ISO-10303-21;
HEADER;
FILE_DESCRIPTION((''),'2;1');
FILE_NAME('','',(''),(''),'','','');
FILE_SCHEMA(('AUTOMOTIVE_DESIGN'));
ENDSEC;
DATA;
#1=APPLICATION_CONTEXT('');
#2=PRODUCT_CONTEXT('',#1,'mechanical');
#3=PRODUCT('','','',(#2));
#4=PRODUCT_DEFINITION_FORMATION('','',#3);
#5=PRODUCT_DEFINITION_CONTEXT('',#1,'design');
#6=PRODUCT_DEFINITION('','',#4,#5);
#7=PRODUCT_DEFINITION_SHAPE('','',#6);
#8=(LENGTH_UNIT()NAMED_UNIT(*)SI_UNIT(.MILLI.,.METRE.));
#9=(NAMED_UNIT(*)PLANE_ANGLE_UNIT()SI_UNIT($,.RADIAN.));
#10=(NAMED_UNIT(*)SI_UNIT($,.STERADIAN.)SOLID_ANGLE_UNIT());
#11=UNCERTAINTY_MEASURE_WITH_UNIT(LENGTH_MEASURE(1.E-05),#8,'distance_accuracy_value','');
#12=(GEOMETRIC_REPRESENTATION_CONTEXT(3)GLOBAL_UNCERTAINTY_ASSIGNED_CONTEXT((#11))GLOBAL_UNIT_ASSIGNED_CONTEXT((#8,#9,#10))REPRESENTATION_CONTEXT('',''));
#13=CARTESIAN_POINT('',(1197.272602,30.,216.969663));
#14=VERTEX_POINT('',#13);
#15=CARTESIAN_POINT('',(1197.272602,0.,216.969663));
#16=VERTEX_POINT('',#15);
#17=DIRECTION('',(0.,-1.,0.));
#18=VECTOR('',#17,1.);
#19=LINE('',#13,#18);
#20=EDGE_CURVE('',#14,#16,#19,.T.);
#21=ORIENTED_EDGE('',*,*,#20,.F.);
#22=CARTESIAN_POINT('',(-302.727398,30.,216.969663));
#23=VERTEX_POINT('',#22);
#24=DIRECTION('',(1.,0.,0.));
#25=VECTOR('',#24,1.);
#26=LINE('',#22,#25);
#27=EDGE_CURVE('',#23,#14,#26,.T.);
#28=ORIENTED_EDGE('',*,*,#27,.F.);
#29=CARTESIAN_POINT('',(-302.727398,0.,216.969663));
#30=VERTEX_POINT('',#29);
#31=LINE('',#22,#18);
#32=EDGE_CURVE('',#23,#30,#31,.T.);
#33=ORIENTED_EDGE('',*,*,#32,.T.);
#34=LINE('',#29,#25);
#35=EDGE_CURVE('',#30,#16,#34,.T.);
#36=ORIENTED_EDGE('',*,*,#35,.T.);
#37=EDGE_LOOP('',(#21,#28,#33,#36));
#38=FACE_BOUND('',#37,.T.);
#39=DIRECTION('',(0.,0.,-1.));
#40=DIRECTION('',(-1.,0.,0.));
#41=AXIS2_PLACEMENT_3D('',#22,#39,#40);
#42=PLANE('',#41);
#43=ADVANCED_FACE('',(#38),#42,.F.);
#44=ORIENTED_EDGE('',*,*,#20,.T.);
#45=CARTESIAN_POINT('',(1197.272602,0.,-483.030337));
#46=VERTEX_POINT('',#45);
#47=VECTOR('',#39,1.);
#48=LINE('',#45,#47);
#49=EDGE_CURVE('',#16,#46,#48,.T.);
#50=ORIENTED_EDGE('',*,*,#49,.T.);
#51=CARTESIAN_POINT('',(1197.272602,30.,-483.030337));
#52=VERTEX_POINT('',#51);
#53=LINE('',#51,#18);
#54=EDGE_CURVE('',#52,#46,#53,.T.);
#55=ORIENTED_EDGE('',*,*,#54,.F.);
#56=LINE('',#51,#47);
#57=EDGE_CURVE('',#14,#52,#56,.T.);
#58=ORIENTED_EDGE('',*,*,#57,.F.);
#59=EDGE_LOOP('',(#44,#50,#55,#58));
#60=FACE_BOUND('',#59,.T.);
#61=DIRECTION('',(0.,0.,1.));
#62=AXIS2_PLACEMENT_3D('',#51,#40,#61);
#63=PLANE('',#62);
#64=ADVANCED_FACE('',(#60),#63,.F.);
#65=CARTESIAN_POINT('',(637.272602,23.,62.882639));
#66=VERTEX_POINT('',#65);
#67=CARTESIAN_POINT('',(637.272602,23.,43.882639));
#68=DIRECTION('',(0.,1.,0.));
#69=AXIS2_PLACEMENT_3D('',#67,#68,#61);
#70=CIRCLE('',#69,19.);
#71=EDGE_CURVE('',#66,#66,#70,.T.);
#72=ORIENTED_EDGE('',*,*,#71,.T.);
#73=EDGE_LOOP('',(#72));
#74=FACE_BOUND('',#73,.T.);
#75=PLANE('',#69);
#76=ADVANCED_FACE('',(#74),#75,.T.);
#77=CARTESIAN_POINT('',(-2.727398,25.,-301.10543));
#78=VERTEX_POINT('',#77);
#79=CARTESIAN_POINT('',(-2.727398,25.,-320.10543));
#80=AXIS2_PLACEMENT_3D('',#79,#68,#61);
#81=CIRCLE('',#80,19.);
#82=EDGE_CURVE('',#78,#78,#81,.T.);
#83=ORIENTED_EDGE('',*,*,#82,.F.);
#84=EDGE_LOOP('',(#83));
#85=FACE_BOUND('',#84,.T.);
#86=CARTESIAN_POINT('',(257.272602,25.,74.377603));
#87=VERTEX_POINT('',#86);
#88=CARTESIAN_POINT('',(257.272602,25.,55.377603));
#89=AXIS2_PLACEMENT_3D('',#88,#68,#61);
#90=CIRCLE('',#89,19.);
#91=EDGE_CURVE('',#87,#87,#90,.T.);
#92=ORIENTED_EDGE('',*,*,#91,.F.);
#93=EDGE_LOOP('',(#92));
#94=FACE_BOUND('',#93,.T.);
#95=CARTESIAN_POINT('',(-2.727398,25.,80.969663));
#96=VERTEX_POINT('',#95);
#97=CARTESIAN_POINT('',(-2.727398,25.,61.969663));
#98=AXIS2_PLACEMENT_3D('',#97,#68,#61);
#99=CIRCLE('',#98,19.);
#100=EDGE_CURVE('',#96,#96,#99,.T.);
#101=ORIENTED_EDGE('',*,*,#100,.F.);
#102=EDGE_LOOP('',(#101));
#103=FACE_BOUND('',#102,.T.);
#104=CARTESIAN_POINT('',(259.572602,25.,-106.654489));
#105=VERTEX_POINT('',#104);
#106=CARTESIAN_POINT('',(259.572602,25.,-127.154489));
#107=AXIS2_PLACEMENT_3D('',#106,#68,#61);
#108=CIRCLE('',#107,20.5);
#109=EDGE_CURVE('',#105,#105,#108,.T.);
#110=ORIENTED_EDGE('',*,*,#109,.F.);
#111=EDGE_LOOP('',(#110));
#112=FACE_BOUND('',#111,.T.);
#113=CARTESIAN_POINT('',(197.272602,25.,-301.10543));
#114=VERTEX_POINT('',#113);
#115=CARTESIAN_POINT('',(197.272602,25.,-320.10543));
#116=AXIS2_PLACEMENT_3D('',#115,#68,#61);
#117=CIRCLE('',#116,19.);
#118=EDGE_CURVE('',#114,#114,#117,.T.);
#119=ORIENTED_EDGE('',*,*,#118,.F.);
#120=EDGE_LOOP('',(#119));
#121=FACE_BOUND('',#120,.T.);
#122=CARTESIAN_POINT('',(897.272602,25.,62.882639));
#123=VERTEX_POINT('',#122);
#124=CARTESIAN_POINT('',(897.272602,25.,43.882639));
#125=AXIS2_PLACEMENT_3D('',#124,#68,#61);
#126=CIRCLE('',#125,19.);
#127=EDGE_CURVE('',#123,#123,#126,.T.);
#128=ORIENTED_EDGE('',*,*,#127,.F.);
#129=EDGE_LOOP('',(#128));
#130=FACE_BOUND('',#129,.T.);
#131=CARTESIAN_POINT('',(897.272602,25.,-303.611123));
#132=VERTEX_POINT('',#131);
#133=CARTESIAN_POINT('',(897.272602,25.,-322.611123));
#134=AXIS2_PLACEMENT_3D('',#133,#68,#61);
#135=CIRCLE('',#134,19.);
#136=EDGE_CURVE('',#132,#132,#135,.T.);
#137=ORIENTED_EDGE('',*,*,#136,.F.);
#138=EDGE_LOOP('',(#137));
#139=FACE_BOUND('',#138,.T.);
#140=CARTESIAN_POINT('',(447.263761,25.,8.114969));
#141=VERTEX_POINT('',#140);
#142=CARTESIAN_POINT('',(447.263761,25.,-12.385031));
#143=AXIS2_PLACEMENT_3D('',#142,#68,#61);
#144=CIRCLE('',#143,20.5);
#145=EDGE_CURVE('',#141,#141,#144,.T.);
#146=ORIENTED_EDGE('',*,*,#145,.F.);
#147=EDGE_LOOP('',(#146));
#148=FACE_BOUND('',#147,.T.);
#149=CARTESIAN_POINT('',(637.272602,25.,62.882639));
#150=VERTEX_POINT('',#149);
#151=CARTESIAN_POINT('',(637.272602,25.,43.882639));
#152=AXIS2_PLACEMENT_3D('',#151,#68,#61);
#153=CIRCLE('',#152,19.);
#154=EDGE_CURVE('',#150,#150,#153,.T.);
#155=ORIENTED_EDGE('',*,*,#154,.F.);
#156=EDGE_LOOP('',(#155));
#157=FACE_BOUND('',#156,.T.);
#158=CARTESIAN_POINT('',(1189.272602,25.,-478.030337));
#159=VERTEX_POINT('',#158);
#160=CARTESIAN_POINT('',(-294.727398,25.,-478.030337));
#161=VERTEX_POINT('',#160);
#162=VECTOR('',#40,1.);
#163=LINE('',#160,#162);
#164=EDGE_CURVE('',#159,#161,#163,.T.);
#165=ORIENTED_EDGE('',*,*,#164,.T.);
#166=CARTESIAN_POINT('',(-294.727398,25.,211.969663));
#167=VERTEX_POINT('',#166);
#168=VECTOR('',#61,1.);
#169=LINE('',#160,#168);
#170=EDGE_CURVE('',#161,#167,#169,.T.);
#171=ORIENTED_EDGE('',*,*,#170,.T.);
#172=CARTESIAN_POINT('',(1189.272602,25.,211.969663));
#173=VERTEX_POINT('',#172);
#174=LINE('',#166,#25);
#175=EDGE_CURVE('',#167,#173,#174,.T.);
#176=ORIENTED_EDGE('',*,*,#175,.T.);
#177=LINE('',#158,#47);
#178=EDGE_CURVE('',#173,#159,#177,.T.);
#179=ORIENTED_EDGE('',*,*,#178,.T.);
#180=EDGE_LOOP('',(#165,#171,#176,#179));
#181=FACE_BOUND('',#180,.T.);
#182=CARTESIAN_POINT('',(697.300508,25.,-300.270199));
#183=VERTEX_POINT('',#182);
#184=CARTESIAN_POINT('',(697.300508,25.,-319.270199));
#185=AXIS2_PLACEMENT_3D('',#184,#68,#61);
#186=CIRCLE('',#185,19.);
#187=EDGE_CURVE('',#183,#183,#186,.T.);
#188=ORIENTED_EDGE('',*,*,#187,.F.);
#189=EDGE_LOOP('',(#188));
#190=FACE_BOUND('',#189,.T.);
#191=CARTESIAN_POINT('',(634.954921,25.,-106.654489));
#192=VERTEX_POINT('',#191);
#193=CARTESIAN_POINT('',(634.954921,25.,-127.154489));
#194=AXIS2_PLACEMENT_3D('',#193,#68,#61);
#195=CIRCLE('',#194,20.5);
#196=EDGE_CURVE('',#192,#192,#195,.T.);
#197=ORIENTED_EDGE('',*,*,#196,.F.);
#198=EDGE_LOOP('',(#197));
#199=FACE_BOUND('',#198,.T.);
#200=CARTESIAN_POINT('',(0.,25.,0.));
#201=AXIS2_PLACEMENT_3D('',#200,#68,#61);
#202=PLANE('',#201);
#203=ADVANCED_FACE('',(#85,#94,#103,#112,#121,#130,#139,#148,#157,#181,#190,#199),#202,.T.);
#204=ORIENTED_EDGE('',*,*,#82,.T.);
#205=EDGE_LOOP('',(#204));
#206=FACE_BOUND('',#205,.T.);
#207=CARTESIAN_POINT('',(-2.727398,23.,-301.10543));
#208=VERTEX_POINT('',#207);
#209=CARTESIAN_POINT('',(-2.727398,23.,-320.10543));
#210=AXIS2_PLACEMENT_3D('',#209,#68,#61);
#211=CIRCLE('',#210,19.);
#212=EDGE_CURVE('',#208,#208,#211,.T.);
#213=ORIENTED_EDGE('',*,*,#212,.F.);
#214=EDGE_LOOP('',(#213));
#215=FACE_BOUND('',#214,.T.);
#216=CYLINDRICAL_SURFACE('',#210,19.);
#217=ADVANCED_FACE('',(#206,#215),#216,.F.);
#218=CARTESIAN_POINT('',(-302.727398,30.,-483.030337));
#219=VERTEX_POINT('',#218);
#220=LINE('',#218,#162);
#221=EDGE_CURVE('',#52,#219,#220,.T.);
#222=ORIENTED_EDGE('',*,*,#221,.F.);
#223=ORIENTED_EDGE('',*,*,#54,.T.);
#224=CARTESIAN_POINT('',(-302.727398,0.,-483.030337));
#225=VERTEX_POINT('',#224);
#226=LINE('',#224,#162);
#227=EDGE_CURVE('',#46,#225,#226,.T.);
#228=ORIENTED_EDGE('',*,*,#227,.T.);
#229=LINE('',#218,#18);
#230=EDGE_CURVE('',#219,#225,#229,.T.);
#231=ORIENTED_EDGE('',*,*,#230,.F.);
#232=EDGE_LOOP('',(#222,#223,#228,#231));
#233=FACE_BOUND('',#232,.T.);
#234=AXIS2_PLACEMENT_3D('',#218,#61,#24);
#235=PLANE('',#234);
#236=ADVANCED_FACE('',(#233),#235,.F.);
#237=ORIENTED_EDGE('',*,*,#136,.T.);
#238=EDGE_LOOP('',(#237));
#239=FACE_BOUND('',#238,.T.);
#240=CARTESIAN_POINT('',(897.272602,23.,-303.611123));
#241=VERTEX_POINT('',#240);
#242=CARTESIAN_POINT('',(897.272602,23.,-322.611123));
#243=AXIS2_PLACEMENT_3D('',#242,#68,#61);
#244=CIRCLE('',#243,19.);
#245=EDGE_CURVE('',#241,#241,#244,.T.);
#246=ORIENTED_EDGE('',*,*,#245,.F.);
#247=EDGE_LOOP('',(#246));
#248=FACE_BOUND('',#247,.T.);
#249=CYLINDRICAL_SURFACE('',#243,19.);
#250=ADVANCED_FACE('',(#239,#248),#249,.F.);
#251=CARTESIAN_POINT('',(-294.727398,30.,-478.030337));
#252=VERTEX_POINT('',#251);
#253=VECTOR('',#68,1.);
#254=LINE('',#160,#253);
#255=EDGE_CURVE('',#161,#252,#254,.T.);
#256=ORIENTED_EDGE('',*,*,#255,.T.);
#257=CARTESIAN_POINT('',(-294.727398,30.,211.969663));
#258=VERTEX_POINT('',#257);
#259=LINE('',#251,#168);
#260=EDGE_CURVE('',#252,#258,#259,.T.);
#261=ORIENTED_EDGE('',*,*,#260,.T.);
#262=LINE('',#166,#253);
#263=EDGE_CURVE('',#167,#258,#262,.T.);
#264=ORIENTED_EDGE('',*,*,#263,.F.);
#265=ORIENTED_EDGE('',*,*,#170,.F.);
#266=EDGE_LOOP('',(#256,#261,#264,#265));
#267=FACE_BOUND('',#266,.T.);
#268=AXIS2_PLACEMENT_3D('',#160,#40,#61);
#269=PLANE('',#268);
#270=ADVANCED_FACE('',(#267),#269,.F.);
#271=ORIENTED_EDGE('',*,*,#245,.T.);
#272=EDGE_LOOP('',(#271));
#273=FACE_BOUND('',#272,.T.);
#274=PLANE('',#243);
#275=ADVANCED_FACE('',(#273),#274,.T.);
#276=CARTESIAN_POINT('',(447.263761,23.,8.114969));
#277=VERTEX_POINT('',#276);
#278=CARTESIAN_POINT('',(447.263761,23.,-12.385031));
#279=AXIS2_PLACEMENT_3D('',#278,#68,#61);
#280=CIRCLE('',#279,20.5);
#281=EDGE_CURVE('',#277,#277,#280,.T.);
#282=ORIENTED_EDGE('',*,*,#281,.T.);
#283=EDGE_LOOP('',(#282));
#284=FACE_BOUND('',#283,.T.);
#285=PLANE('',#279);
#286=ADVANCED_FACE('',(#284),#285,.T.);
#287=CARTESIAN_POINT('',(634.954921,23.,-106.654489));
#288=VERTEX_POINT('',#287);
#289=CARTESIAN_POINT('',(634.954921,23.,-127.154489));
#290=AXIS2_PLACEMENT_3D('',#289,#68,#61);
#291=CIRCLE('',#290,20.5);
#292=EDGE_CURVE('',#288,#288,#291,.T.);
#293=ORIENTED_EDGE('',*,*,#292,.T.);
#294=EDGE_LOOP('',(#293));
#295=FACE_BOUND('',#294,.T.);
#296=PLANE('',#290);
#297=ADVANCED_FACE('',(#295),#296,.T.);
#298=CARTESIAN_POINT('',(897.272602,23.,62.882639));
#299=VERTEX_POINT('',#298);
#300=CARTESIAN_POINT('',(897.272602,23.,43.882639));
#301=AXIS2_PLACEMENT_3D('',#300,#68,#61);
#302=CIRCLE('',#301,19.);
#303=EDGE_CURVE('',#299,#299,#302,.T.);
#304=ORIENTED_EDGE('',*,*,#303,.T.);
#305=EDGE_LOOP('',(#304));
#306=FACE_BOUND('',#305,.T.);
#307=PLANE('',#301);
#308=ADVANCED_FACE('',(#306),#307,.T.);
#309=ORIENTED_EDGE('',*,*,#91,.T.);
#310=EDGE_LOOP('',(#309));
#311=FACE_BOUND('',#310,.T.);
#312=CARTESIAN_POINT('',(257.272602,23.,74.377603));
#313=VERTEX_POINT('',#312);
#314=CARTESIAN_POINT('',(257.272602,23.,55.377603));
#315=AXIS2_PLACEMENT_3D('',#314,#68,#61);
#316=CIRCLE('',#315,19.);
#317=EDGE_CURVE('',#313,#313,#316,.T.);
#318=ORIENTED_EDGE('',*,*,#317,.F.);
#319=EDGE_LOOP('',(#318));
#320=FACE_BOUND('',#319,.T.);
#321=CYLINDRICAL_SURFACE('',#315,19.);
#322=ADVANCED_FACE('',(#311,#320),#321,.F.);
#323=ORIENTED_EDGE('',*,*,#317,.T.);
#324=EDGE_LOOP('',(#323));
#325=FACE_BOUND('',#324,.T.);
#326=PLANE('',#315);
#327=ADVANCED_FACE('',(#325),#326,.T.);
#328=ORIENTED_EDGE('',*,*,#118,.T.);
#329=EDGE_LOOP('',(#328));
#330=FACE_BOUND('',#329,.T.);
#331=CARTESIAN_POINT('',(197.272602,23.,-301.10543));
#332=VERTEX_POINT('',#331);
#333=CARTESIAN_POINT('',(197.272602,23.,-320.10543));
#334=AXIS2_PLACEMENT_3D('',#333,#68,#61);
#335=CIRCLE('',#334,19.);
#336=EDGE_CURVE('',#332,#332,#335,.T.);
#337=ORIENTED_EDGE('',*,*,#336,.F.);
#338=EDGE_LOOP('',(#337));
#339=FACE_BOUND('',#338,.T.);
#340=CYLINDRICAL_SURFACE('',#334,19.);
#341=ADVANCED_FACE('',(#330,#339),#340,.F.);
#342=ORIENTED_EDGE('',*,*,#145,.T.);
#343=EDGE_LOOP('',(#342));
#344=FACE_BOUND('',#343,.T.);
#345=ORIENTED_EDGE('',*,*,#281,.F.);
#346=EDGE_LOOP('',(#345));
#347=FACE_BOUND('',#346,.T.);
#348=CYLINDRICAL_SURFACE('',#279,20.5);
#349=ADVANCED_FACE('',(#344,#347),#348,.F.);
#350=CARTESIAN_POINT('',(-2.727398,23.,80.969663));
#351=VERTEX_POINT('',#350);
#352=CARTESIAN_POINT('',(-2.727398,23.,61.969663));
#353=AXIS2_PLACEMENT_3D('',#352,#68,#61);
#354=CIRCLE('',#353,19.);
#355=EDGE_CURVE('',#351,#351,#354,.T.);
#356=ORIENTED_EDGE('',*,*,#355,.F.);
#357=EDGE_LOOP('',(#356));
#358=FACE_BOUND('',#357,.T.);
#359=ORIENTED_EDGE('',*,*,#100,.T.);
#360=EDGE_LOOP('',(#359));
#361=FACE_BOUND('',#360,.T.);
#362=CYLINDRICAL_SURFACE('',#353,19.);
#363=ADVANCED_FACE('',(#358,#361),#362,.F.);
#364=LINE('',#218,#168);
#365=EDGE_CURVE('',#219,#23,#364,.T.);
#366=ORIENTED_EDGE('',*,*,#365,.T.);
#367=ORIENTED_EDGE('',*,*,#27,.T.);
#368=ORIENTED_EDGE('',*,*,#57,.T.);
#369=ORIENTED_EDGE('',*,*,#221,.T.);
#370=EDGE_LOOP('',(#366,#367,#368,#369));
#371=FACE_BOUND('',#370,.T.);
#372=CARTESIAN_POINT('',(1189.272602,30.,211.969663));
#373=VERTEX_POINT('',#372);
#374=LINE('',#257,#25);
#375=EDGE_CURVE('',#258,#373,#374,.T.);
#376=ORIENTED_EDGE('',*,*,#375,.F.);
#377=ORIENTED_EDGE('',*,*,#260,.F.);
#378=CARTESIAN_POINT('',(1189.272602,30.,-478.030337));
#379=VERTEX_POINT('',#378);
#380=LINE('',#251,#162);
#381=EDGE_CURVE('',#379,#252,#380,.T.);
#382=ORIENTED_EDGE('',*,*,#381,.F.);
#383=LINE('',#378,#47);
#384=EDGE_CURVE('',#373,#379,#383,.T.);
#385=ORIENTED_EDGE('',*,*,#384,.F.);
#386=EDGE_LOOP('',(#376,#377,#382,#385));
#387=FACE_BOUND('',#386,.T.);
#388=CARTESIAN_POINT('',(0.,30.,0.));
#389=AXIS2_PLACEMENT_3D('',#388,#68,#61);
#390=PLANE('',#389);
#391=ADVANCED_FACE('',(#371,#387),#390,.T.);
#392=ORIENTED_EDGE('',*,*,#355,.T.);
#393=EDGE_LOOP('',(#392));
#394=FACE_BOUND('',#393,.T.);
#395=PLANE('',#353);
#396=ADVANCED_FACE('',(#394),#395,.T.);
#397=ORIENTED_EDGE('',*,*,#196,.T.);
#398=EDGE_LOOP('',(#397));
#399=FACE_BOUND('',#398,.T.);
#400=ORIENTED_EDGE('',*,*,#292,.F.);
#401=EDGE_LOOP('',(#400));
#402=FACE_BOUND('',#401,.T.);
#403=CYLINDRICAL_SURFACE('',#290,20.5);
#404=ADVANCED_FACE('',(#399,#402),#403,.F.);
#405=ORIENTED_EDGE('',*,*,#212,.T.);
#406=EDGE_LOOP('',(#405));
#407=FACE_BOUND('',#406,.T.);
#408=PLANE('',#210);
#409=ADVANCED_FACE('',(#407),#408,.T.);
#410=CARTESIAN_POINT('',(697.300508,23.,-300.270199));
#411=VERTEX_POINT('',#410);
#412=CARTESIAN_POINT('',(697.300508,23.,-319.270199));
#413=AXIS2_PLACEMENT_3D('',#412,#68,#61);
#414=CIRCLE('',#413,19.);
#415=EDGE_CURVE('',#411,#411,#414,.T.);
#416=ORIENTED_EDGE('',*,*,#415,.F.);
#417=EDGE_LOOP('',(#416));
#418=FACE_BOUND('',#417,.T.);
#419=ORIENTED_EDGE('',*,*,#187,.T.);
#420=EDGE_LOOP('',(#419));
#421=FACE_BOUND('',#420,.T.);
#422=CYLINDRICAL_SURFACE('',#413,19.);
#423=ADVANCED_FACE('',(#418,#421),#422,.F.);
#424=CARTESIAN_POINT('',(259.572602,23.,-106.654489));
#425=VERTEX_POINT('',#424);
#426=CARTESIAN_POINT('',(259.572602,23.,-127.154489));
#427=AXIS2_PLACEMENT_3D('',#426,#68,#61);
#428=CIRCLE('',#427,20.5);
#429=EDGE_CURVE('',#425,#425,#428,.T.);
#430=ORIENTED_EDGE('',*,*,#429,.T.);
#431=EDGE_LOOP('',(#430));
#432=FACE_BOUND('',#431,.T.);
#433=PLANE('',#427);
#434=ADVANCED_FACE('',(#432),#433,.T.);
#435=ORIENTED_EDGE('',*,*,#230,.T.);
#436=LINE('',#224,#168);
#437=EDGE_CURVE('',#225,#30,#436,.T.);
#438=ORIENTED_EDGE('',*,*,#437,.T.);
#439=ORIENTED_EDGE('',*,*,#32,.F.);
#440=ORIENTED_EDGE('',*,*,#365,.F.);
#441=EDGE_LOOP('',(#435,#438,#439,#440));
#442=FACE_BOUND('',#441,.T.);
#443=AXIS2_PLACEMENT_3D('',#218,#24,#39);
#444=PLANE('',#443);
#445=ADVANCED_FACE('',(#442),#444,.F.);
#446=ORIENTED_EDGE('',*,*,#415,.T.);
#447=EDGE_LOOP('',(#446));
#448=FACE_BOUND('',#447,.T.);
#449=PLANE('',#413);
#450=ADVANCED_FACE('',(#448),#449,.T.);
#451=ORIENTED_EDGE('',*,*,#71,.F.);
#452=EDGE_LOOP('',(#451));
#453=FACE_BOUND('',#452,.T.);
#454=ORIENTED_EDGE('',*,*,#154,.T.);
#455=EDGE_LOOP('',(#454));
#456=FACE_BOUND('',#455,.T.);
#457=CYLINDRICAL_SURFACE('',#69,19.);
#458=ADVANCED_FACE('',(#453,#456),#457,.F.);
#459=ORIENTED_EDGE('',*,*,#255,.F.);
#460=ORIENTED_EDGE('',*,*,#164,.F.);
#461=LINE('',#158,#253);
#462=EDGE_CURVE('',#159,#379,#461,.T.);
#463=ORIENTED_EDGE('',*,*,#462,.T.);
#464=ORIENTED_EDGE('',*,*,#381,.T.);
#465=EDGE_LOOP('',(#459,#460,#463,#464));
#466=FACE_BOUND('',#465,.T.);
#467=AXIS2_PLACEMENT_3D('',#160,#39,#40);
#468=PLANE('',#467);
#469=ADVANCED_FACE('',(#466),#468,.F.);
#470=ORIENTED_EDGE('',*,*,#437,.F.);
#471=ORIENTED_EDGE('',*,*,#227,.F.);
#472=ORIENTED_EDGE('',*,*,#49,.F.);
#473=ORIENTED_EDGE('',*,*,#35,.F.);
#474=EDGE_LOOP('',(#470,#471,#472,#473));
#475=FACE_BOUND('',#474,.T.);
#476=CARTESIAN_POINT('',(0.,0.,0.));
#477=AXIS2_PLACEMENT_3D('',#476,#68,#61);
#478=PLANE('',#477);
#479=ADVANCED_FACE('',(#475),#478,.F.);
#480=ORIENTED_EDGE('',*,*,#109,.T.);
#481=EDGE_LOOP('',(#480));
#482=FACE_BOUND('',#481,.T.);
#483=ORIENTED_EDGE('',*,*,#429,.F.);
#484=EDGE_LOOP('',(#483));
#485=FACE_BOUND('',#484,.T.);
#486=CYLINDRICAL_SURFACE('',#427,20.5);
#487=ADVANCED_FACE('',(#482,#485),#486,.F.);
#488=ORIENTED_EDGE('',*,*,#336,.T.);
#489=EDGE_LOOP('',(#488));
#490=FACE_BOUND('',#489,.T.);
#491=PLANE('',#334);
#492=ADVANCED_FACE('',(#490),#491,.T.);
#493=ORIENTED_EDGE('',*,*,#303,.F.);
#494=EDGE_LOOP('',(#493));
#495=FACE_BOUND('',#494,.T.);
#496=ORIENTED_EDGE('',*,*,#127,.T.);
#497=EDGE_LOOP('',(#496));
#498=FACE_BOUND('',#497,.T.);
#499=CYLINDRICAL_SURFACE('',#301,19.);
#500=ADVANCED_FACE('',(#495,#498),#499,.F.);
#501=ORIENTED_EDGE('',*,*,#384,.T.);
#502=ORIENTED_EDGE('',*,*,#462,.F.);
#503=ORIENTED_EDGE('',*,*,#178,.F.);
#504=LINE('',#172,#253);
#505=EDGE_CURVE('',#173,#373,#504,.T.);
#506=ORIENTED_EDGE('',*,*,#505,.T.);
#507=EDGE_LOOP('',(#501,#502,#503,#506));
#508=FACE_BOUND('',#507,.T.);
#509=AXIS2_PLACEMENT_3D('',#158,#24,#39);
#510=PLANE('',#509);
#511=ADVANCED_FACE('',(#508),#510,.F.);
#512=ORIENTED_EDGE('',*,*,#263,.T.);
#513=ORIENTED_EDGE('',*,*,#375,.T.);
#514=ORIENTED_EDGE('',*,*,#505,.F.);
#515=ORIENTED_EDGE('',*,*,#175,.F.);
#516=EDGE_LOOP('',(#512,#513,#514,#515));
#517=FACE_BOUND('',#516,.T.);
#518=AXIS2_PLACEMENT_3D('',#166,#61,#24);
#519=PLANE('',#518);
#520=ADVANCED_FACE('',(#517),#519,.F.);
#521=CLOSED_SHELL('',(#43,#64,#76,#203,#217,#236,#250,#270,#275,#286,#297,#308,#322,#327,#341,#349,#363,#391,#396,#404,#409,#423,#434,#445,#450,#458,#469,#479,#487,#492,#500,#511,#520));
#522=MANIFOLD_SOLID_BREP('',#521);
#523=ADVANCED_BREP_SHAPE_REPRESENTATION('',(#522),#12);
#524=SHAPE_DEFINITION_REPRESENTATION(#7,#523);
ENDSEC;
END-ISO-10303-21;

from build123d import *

# Parameters (mm, degrees)
SKETCH2_W           = 1500
SKETCH2_H           = 700
BOSS_EXTRUDE1_DEPTH = 30
SKETCH3_W           = 1484
SKETCH3_H           = 690
CUT_EXTRUDE2_DEPTH  = 5
SKETCH9_R           = 19
SKETCH9_R_2         = 20.5
CUT_EXTRUDE3_DEPTH  = 2


with BuildPart() as part:
    # Sketch2 → Boss-Extrude1 (new body)
    with BuildSketch(Plane(origin=(0, 0, 0), x_dir=(1, 0, 0), z_dir=(0, 1, 0))):
        with Locations((447.272601934, 133.030337178)):
            Rectangle(SKETCH2_W, SKETCH2_H)
    extrude(amount=BOSS_EXTRUDE1_DEPTH)

    # Sketch3 → Cut-Extrude2 (cut)
    with BuildSketch(Plane(origin=(0, 30, 0), x_dir=(1, 0, 0), z_dir=(0, 1, 0))):
        with Locations((447.272601934, 133.030337178)):
            Rectangle(SKETCH3_W, SKETCH3_H)
    extrude(amount=-CUT_EXTRUDE2_DEPTH, mode=Mode.SUBTRACT)

    # Sketch9 → Cut-Extrude3 (cut)
    with BuildSketch(Plane(origin=(0, 25, 0), x_dir=(1, 0, 0), z_dir=(0, 1, 0))):
        with Locations(Location((197.272601934, 320.105430206, 0), (0, 0, 270))):
            Circle(SKETCH9_R)
        with Locations(Location((697.300508301, 319.270199385, 0), (0, 0, 270))):
            Circle(SKETCH9_R)
        with Locations(Location((257.272601934, -55.377603043, 0), (0, 0, 270))):
            Circle(SKETCH9_R)
        with Locations(Location((637.272601934, -43.882638763, 0), (0, 0, 270))):
            Circle(SKETCH9_R)
        with Locations(Location((259.572601934, 127.154489334, 0), (0, 0, 270))):
            Circle(SKETCH9_R_2)
        with Locations(Location((634.954920993, 127.154489334, 0), (0, 0, 270))):
            Circle(SKETCH9_R_2)
        with Locations(Location((447.263761463, 12.385030703, 0), (0, 0, 270))):
            Circle(SKETCH9_R_2)
        with Locations(Location((-2.727398066, 320.105430206, 0), (0, 0, 270))):
            Circle(SKETCH9_R)
        with Locations(Location((-2.727398066, -61.969662822, 0), (0, 0, 270))):
            Circle(SKETCH9_R)
        with Locations(Location((897.272601934, 322.611122669, 0), (0, 0, 270))):
            Circle(SKETCH9_R)
        with Locations(Location((897.272601934, -43.882638763, 0), (0, 0, 270))):
            Circle(SKETCH9_R)
    extrude(amount=-CUT_EXTRUDE3_DEPTH, mode=Mode.SUBTRACT)


solid = part.part
